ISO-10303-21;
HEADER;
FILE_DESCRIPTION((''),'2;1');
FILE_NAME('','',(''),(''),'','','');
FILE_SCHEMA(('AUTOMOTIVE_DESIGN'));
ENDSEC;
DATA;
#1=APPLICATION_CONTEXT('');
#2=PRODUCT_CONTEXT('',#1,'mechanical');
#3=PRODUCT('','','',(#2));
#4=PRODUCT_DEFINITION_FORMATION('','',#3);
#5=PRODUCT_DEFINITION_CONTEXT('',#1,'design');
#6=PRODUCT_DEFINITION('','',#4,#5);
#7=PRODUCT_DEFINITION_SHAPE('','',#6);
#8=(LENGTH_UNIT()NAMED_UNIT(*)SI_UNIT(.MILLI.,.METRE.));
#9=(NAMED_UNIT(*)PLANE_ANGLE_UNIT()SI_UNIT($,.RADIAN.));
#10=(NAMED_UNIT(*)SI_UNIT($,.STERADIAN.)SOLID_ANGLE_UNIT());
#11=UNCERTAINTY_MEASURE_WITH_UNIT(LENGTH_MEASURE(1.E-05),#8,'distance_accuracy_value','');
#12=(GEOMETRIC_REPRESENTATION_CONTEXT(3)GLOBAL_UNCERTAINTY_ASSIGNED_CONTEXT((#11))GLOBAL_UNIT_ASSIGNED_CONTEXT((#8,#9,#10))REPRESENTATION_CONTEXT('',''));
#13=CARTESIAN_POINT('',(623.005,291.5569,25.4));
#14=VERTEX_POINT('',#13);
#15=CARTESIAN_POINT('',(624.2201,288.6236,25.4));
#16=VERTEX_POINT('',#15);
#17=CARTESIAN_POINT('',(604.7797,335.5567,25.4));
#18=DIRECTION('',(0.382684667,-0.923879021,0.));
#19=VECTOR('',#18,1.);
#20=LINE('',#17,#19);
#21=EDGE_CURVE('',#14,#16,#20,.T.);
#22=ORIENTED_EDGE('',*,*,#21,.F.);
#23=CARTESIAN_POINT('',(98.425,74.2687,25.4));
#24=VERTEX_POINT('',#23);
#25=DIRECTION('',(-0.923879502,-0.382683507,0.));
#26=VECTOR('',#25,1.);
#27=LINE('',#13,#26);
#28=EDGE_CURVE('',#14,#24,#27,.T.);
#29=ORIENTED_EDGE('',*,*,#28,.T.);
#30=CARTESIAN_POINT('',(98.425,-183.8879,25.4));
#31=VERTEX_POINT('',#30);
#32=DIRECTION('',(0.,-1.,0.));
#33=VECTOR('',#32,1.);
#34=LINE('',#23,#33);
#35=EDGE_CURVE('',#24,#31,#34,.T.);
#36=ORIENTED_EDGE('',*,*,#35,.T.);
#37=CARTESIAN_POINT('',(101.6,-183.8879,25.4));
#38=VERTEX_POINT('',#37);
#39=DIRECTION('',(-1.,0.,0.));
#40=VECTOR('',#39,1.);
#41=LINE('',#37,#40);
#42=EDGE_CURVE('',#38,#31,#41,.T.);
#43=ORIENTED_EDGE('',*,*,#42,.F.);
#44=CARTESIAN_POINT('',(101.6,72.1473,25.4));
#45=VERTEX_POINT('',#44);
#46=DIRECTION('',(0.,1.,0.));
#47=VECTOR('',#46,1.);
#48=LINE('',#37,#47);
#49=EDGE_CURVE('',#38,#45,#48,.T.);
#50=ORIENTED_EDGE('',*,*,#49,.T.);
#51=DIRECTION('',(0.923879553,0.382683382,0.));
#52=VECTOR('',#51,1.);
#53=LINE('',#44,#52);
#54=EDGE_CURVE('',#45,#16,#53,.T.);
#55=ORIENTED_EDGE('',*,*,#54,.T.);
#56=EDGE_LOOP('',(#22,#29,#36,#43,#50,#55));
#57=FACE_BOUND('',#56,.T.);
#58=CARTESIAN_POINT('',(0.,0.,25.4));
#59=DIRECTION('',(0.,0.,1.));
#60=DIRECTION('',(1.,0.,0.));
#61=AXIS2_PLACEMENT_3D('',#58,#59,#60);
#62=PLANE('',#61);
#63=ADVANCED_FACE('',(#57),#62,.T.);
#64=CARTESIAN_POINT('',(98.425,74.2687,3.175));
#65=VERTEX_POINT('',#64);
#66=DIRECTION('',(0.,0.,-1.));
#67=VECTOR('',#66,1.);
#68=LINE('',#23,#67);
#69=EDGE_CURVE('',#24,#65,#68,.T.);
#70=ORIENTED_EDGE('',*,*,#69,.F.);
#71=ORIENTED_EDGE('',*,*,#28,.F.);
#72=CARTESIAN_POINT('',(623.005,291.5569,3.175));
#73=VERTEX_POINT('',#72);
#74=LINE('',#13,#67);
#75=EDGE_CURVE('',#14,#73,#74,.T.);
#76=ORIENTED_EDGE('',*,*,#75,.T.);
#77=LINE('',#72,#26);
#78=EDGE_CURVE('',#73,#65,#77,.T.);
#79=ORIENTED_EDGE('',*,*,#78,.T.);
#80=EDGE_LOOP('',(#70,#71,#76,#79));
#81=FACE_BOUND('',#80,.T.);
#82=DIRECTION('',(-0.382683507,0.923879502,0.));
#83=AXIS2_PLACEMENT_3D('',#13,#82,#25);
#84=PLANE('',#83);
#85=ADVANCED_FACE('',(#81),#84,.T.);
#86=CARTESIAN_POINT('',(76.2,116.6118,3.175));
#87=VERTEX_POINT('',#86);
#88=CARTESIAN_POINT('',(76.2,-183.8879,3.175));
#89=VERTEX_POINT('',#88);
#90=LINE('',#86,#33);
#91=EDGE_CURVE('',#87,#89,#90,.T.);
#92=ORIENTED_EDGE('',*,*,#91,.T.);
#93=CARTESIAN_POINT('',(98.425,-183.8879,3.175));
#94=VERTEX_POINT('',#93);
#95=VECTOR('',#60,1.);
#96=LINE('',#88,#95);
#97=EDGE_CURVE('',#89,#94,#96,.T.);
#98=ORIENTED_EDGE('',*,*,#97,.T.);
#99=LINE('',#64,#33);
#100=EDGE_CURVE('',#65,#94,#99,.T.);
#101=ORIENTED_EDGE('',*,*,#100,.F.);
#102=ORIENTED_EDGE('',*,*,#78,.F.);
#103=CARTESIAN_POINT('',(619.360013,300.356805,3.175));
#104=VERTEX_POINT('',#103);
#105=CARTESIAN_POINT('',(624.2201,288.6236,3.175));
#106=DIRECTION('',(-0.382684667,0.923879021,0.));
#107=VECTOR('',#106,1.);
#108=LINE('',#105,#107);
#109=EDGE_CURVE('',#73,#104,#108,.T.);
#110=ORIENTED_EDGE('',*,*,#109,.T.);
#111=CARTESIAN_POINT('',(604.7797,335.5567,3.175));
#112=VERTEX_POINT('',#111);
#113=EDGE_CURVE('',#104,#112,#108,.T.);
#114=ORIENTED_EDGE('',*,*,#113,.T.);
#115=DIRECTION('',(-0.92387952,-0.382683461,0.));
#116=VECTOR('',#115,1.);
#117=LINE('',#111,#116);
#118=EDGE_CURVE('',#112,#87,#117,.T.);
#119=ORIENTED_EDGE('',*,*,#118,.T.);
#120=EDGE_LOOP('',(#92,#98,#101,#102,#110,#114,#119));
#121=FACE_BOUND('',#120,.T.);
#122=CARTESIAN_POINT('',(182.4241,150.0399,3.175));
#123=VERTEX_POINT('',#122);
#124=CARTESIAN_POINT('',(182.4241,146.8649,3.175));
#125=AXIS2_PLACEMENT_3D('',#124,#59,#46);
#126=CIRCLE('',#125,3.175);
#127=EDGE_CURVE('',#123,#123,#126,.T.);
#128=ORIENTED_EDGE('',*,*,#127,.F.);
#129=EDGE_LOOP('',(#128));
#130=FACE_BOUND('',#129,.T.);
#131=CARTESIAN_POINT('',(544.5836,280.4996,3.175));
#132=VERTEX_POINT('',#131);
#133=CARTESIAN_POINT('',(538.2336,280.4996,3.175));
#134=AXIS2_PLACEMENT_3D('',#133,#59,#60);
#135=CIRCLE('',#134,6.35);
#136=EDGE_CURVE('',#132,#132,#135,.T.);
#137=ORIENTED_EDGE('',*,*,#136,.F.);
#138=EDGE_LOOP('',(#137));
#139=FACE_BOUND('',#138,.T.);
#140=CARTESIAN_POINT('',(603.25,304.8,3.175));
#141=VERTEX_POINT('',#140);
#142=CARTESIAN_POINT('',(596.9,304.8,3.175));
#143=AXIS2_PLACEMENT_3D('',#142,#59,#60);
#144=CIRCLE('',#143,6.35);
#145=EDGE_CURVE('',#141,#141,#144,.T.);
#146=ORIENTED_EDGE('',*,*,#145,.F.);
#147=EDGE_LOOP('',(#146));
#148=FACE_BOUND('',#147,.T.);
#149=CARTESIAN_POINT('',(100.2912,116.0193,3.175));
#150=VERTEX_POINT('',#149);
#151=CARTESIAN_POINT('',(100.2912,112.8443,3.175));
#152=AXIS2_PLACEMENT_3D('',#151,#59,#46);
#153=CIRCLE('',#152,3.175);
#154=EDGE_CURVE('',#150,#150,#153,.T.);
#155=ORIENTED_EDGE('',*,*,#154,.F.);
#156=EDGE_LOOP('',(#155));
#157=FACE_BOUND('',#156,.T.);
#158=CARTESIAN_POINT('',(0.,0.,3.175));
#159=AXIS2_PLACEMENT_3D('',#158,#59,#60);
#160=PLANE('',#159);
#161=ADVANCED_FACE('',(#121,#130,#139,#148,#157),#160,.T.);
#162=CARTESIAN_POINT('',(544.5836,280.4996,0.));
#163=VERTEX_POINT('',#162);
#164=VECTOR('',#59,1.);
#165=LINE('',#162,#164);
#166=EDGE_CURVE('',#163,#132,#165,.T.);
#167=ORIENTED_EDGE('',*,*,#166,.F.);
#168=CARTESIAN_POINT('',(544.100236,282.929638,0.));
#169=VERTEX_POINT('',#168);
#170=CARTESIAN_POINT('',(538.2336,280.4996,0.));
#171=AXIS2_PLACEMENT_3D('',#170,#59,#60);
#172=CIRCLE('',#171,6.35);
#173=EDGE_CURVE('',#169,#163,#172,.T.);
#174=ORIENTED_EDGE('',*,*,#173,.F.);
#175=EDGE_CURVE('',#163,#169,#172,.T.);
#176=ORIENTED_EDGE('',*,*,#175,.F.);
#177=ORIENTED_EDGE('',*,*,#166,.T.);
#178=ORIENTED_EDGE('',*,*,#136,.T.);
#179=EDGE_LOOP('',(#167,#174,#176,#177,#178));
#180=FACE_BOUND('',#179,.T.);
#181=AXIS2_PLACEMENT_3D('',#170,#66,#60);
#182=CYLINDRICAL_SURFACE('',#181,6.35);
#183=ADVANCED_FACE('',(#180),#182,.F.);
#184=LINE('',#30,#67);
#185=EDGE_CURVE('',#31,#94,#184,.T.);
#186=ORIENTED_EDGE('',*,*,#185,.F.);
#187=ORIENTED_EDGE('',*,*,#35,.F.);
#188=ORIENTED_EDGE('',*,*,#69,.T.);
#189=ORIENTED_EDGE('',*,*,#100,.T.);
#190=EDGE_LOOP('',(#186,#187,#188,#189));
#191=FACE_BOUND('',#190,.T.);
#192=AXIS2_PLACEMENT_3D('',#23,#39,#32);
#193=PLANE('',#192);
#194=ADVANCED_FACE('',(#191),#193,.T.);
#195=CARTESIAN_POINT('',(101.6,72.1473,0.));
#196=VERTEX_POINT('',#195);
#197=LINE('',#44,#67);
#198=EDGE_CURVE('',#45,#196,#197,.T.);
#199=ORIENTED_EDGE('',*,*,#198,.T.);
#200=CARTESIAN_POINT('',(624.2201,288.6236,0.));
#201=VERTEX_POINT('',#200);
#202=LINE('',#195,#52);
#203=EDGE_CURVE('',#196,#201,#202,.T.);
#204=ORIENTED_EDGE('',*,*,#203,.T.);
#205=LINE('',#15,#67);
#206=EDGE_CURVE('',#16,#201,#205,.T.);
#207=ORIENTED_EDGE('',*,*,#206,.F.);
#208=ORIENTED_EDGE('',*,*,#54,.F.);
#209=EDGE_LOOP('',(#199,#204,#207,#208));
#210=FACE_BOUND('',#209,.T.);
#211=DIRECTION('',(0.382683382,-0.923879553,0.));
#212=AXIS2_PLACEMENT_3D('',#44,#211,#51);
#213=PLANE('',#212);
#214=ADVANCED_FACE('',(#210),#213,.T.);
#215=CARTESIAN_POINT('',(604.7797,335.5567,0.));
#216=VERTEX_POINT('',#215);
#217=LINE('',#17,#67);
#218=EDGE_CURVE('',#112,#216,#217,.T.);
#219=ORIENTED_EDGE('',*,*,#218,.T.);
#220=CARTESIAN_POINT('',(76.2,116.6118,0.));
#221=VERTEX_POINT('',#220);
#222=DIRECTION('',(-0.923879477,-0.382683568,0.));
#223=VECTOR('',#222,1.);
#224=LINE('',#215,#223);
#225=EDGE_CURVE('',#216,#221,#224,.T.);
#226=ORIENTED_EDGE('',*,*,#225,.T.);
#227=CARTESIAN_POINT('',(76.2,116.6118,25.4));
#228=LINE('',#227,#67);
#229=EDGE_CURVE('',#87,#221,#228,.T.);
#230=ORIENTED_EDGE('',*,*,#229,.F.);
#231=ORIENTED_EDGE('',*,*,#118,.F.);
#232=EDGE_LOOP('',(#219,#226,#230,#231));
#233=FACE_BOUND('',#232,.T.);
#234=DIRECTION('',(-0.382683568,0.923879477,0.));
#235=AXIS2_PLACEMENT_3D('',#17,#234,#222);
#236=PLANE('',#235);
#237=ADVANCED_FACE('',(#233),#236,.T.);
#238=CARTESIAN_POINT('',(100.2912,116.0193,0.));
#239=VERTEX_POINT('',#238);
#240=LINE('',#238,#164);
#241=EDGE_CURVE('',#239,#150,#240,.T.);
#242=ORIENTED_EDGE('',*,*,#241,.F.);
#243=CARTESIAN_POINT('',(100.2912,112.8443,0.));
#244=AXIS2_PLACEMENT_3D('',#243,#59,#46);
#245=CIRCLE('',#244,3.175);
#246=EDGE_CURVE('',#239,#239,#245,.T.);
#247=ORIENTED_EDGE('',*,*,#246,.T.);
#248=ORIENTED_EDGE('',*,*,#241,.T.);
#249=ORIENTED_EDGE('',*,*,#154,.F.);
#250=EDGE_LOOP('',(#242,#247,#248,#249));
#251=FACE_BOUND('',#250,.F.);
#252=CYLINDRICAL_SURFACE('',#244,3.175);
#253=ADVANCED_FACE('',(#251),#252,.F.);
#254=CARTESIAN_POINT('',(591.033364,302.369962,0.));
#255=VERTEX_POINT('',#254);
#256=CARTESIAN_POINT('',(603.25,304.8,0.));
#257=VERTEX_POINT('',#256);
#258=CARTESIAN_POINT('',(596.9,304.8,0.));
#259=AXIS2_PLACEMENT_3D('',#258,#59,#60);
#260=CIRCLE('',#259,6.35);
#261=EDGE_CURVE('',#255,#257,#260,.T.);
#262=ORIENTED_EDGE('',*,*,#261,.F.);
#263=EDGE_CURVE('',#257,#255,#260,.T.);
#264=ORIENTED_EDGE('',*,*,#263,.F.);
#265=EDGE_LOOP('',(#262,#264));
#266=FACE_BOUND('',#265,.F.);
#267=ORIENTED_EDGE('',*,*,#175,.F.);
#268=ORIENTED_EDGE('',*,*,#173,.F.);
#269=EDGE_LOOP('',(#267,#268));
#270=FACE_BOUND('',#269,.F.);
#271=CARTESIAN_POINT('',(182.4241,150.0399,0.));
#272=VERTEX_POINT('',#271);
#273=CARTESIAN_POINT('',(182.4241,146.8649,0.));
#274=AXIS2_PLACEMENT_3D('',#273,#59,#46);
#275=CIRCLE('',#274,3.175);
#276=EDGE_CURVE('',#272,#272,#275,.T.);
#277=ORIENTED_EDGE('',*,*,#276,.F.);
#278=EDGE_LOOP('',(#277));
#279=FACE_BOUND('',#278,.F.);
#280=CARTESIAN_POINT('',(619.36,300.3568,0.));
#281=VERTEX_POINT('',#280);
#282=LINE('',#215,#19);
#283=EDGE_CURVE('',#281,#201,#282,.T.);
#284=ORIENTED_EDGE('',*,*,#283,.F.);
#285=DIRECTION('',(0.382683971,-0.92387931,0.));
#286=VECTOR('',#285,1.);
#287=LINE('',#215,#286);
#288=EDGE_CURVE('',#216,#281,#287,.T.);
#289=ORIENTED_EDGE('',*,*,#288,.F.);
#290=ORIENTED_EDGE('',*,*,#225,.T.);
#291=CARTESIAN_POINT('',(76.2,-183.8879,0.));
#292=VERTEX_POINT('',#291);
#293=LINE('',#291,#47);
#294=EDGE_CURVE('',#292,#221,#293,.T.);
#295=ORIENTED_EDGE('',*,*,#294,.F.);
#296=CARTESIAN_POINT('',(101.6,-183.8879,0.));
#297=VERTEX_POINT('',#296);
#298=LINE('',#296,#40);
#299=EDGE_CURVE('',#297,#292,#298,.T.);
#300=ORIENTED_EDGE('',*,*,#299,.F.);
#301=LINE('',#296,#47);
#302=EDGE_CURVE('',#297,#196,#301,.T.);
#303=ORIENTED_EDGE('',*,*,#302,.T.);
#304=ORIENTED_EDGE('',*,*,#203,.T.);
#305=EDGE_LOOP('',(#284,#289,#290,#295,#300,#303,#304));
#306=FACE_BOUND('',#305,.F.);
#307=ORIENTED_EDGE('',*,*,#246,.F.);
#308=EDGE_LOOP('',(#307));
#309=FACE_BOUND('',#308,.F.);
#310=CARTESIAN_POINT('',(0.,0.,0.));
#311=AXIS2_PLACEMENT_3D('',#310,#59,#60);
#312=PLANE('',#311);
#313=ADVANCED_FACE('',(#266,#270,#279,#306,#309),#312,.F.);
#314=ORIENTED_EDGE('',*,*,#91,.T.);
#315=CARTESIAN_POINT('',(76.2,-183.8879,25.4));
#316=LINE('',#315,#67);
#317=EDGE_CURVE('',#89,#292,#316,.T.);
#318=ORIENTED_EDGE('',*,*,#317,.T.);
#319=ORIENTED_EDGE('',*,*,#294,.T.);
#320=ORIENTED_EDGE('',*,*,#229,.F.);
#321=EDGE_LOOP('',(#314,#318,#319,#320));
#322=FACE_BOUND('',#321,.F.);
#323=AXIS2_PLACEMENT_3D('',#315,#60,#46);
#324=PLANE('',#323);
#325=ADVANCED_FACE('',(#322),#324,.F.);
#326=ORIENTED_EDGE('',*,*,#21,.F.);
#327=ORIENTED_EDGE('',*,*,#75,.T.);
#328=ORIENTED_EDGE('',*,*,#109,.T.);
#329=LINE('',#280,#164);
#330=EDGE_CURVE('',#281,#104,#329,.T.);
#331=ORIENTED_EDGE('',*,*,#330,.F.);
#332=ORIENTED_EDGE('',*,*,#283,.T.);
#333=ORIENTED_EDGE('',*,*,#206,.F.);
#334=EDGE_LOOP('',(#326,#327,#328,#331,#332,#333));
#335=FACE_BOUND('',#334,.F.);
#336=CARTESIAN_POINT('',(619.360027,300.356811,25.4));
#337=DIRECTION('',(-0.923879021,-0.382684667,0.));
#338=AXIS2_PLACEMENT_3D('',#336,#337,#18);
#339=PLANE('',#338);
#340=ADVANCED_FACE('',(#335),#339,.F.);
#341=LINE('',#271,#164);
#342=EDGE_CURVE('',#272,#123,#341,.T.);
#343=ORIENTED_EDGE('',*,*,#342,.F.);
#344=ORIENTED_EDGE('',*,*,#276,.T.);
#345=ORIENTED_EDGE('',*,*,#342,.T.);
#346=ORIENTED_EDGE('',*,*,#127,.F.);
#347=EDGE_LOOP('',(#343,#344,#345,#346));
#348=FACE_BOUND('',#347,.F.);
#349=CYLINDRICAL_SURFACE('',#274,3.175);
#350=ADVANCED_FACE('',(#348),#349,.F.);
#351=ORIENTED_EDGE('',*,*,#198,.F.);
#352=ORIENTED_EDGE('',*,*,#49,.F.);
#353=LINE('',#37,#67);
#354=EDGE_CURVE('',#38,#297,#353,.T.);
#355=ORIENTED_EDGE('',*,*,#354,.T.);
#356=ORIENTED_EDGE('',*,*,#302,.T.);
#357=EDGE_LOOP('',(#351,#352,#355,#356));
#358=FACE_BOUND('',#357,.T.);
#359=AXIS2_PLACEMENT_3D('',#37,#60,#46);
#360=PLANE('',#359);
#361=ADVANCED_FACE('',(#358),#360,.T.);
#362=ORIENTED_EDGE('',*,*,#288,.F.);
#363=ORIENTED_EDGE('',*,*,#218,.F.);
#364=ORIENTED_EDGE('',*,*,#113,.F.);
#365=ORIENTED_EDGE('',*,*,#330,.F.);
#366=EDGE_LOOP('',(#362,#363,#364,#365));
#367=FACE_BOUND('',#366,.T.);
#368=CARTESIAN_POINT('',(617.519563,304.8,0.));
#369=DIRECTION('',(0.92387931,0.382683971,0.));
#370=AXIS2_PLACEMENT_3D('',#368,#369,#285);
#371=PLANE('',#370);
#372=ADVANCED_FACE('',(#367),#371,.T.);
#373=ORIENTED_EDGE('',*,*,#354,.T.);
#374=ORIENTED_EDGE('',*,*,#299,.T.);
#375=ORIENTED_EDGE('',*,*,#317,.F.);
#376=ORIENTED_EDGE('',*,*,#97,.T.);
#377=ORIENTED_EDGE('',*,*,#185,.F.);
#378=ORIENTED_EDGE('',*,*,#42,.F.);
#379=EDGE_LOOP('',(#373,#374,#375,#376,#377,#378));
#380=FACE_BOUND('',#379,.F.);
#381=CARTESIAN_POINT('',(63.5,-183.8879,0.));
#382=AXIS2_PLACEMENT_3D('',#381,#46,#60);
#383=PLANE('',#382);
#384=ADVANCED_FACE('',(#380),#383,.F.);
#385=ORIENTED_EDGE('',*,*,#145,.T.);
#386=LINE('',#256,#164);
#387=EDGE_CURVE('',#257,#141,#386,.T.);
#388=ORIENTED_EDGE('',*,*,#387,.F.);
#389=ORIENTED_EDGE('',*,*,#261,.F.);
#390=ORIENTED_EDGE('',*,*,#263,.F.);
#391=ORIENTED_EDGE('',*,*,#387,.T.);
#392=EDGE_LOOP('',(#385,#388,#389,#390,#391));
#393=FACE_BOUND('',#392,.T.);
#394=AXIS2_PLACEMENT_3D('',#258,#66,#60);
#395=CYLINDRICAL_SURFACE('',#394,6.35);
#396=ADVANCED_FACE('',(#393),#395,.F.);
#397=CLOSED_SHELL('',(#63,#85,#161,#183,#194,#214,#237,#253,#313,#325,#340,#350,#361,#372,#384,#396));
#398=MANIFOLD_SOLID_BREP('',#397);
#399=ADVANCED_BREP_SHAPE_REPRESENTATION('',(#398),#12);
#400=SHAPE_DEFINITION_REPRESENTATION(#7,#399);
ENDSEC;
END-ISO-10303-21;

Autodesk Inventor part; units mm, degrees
ref_plane "YZ Plane" through (0, 0, 0) normal (1, 0, 0) x (0, 1, 0)
ref_plane "XZ Plane" through (0, 0, 0) normal (0, 1, 0) x (-1, 0, 0)
ref_plane "Work Plane1" through (0, 0, 0) normal (0, 0, 1) x (1, 0, 0)
sketch "Sketch1" plane through (0, 0, 0) normal (0, 0, 1) x (1, 0, 0)
  line L0 (0, 0) -> (63.5, 0)
  line L1 (63.5, 0) -> (63.5, 482.6)
  line L2 (63.5, 482.6) -> (0, 482.6)
  line L3 (0, 482.6) -> (0, 0)
  line L4 (63.5, 482.6) -> (63.5, 406.4)
  line L5 (63.5, 482.6) -> (139.7, 482.6) construction
  line L6 (63.5, 406.4) -> (-63.5, 406.4)
  line L7 (63.5, 406.4) -> (63.5, 304.8)
  line L8 (63.5, 406.4) -> (165.1, 406.4) construction
  line L9 (63.5, 304.8) -> (1409.7, 304.8)
  line L10 (63.5, 304.8) -> (596.9, 304.8)
  circle A0 centre (596.9, 304.8) radius 88.9
  circle A1 centre (596.9, 304.8) radius 6.35
  line L11 (596.9, 304.8) -> (1174.248, 304.8) construction
  line L12 (596.9, 304.8) -> (538.2336, 280.4996)
  circle A2 centre (538.2336, 280.4996) radius 6.35
  line L13 (596.9, 304.8) -> (614.4999, 312.0901)
  line L14 (596.9, 304.8) -> (615.95, 304.8) construction
  line L15 (614.4999, 312.0901) -> (619.36, 300.3568)
  line L16 (619.36, 300.3568) -> (63.5, 70.1121)
  line L17 (614.4999, 312.0901) -> (609.6398, 323.8234)
  line L18 (614.4999, 312.0901) -> (627.1999, 312.0901) construction
  line L19 (609.6398, 323.8234) -> (63.5, 97.6049)
  line L20 (63.5, 70.1121) -> (63.5, -183.8879)
  line L21 (63.5, 70.1121) -> (317.5, 70.1121) construction
  line L22 (63.5, -183.8879) -> (88.9, -183.8879)
  line L23 (88.9, -183.8879) -> (88.9, 80.6331)
  dimension "d0" = 63.5
  dimension "d1" = 482.6
  dimension "d2" = 76.2
  dimension "d3" = 90
  dimension "d4" = 127
  dimension "d5" = 90
  dimension "d6" = 101.6
  dimension "d7" = 90
  dimension "d8" = 1346.2
  dimension "d9" = 90
  dimension "d10" = 533.4
  dimension "d11" = 177.8
  dimension "d12" = 12.7
  dimension "d14" = 63.5
  dimension "d15" = 12.7
  dimension "d16" = 19.05
  dimension "d17" = 22.5
  dimension "d18" = 12.7
  dimension "d19" = 90
  dimension "d20" = 90
  dimension "d21" = 12.7
  dimension "d22" = 112.5
  dimension "d23" = 591.1375
  dimension "d24" = 90
  dimension "d25" = 254
  dimension "d26" = 90
  dimension "d27" = 25.4
  dimension "d28" = 90
  dimension "d29" = 90
extrude "Extrusion1" add sketch "Sketch1" along normal blind 25.4 contours L1 L16 L23 L22 L20 | L1 L19 A0 L16 | L19 L9 A1 L15 L16 A0 | L19 L17 L13 A1 L9 | L9 A1 L13 L15
sketch "Sketch2" plane through (0, 0, 25.4) normal (0, 0, 1) x (1, 0, 0)
  circle A0 centre (596.9, 304.8) radius 6.35 projected
  line L0 (88.9, 80.6331) -> (619.36, 300.3568) projected
  line L1 (619.36, 300.3568) -> (609.6398, 323.8234) projected
  line L2 (609.6398, 323.8234) -> (63.5, 97.6049) projected
  line L3 (63.5, 97.6049) -> (63.5, -183.8879) projected
  line L4 (63.5, -183.8879) -> (88.9, -183.8879) projected
  line L5 (88.9, -183.8879) -> (88.9, 80.6331) projected
  line L6 (596.9, 304.8) -> (614.4999, 312.0901)
  line L7 (596.9, 304.8) -> (615.95, 304.8) construction
  line L8 (614.4999, 312.0901) -> (604.7797, 335.5567)
  line L9 (614.4999, 312.0901) -> (639.8999, 312.0901) construction
  line L10 (604.7797, 335.5567) -> (624.2201, 288.6236)
  line L11 (624.2201, 288.6236) -> (1203.6463, 288.6236) construction
  line L12 (604.7797, 335.5567) -> (1190.6567, 335.5567) construction
  line L13 (76.2, -183.8879) -> (101.6, -183.8879)
  line L14 (101.6, -183.8879) -> (50.8, -183.8879)
  line L15 (101.6, -183.8879) -> (101.6, 72.1473)
  line L16 (101.6, 72.1473) -> (624.2201, 288.6236)
  line L17 (604.7797, 335.5567) -> (50.8, 106.0907)
  line L18 (604.7797, 335.5567) -> (1204.4031, 335.5567) construction
  line L19 (50.8, 106.0907) -> (50.8, -183.8879)
  point P0 (0, 0)
  dimension "d32" = 22.5
  dimension "d33" = 25.4
  dimension "d34" = 112.5
  dimension "d35" = 50.8
  dimension "d36" = 0
  dimension "d39" = 25.4
  dimension "d40" = 50.8
  dimension "d42" = 157.5
extrude "Extrusion2" add sketch "Sketch2" against normal blind 25.4 contours L10 L16 L15 L13 L5 L0 | L2 L3 L14 L19 L17 L8
sketch "Sketch4" plane through (0, 0, 25.4) normal (0, 0, 1) x (1, 0, 0)
  line L0 (604.7797, 335.5567) -> (50.8, 106.0907) projected
  line L1 (50.8, 106.0907) -> (50.8, -183.8879) projected
  line L2 (50.8, -183.8879) -> (101.6, -183.8879) projected
  line L3 (101.6, -183.8879) -> (101.6, 72.1473) projected
  line L4 (76.2, -183.8879) -> (76.2, 116.6118)
  point P0 (0, 0)
extrude "Extrusion3" cut sketch "Sketch4" against normal blind 25.4
sketch "Sketch5" plane through (0, 0, 25.4) normal (0, 0, 1) x (1, 0, 0)
  line L0 (76.2, 116.6118) -> (76.2, -183.8879) projected
  line L1 (76.2, -183.8879) -> (101.6, -183.8879) projected
  line L2 (101.6, -183.8879) -> (101.6, 72.1473) projected
  line L3 (101.6, 72.1473) -> (624.2201, 288.6236) projected
  line L4 (624.2201, 288.6236) -> (604.7797, 335.5567) projected
  line L5 (604.7797, 335.5567) -> (76.2, 116.6118) projected
  circle A0 centre (538.2336, 280.4996) radius 6.35 projected
  circle A1 centre (596.9, 304.8) radius 6.35 projected
  line L6 (101.6, -183.8879) -> (98.425, -183.8879)
  line L7 (101.6, -183.8879) -> (104.775, -183.8879) construction
  line L8 (624.2201, 288.6236) -> (623.005, 291.5569)
  line L9 (624.2201, 288.6236) -> (627.3951, 288.6236) construction
  line L10 (623.005, 291.5569) -> (98.425, 74.2687)
  line L11 (98.425, 74.2687) -> (98.425, -183.8879)
  point P0 (0, 0)
  dimension "d61" = 3.175
  dimension "d62" = 180
  dimension "d63" = 3.175
  dimension "d64" = 112.5
  dimension "d65" = 90
extrude "Extrusion4" cut sketch "Sketch5" against normal blind 22.225 contours L5 L4 L10 L11 L1 L0
sketch "Sketch9" plane through (0, 0, 0) normal (0, 0, -1) x (-1, 0, 0)
  line L0 (-76.2, 116.6118) -> (-604.7797, 335.5567) projected
  line L1 (-624.2201, 288.6236) -> (-101.6, 72.1473) projected
  line L2 (19.4758, 63.2352) -> (-215.1896, 160.4367) construction
  line L3 (19.4758, 63.2352) -> (273.4758, 63.2352) construction
  line L4 (-187.2842, 135.1316) -> (-172.0436, 171.9256) construction
  line L5 (-105.5381, 100.1773) -> (-86.2353, 146.7783) construction
  line L6 (-76.2, -183.8879) -> (-76.2, 116.6118) projected
  line L7 (-76.2, 102.8654) -> (-100.2912, 112.8443) construction
  line L8 (-101.6, 72.1473) -> (-76.2, 116.6118) construction
  point P0 (0, 0)
  point P1 (-182.4241, 146.8649)
  dimension "d85" = 254
  dimension "d86" = 157.5
  dimension "d89" = 12.7
  dimension "d91" = 88.9
  dimension "d100" = 19.05
hole "Hole2" at (182.4241, 146.8649, 0) direction (0, 0, 1) diameter 6.35 end through all
hole "Hole3" at (100.2912, 112.8443, 0) direction (0, 0, 1) diameter 6.35 end through all
properties part number "CatapultArmL-Right"
